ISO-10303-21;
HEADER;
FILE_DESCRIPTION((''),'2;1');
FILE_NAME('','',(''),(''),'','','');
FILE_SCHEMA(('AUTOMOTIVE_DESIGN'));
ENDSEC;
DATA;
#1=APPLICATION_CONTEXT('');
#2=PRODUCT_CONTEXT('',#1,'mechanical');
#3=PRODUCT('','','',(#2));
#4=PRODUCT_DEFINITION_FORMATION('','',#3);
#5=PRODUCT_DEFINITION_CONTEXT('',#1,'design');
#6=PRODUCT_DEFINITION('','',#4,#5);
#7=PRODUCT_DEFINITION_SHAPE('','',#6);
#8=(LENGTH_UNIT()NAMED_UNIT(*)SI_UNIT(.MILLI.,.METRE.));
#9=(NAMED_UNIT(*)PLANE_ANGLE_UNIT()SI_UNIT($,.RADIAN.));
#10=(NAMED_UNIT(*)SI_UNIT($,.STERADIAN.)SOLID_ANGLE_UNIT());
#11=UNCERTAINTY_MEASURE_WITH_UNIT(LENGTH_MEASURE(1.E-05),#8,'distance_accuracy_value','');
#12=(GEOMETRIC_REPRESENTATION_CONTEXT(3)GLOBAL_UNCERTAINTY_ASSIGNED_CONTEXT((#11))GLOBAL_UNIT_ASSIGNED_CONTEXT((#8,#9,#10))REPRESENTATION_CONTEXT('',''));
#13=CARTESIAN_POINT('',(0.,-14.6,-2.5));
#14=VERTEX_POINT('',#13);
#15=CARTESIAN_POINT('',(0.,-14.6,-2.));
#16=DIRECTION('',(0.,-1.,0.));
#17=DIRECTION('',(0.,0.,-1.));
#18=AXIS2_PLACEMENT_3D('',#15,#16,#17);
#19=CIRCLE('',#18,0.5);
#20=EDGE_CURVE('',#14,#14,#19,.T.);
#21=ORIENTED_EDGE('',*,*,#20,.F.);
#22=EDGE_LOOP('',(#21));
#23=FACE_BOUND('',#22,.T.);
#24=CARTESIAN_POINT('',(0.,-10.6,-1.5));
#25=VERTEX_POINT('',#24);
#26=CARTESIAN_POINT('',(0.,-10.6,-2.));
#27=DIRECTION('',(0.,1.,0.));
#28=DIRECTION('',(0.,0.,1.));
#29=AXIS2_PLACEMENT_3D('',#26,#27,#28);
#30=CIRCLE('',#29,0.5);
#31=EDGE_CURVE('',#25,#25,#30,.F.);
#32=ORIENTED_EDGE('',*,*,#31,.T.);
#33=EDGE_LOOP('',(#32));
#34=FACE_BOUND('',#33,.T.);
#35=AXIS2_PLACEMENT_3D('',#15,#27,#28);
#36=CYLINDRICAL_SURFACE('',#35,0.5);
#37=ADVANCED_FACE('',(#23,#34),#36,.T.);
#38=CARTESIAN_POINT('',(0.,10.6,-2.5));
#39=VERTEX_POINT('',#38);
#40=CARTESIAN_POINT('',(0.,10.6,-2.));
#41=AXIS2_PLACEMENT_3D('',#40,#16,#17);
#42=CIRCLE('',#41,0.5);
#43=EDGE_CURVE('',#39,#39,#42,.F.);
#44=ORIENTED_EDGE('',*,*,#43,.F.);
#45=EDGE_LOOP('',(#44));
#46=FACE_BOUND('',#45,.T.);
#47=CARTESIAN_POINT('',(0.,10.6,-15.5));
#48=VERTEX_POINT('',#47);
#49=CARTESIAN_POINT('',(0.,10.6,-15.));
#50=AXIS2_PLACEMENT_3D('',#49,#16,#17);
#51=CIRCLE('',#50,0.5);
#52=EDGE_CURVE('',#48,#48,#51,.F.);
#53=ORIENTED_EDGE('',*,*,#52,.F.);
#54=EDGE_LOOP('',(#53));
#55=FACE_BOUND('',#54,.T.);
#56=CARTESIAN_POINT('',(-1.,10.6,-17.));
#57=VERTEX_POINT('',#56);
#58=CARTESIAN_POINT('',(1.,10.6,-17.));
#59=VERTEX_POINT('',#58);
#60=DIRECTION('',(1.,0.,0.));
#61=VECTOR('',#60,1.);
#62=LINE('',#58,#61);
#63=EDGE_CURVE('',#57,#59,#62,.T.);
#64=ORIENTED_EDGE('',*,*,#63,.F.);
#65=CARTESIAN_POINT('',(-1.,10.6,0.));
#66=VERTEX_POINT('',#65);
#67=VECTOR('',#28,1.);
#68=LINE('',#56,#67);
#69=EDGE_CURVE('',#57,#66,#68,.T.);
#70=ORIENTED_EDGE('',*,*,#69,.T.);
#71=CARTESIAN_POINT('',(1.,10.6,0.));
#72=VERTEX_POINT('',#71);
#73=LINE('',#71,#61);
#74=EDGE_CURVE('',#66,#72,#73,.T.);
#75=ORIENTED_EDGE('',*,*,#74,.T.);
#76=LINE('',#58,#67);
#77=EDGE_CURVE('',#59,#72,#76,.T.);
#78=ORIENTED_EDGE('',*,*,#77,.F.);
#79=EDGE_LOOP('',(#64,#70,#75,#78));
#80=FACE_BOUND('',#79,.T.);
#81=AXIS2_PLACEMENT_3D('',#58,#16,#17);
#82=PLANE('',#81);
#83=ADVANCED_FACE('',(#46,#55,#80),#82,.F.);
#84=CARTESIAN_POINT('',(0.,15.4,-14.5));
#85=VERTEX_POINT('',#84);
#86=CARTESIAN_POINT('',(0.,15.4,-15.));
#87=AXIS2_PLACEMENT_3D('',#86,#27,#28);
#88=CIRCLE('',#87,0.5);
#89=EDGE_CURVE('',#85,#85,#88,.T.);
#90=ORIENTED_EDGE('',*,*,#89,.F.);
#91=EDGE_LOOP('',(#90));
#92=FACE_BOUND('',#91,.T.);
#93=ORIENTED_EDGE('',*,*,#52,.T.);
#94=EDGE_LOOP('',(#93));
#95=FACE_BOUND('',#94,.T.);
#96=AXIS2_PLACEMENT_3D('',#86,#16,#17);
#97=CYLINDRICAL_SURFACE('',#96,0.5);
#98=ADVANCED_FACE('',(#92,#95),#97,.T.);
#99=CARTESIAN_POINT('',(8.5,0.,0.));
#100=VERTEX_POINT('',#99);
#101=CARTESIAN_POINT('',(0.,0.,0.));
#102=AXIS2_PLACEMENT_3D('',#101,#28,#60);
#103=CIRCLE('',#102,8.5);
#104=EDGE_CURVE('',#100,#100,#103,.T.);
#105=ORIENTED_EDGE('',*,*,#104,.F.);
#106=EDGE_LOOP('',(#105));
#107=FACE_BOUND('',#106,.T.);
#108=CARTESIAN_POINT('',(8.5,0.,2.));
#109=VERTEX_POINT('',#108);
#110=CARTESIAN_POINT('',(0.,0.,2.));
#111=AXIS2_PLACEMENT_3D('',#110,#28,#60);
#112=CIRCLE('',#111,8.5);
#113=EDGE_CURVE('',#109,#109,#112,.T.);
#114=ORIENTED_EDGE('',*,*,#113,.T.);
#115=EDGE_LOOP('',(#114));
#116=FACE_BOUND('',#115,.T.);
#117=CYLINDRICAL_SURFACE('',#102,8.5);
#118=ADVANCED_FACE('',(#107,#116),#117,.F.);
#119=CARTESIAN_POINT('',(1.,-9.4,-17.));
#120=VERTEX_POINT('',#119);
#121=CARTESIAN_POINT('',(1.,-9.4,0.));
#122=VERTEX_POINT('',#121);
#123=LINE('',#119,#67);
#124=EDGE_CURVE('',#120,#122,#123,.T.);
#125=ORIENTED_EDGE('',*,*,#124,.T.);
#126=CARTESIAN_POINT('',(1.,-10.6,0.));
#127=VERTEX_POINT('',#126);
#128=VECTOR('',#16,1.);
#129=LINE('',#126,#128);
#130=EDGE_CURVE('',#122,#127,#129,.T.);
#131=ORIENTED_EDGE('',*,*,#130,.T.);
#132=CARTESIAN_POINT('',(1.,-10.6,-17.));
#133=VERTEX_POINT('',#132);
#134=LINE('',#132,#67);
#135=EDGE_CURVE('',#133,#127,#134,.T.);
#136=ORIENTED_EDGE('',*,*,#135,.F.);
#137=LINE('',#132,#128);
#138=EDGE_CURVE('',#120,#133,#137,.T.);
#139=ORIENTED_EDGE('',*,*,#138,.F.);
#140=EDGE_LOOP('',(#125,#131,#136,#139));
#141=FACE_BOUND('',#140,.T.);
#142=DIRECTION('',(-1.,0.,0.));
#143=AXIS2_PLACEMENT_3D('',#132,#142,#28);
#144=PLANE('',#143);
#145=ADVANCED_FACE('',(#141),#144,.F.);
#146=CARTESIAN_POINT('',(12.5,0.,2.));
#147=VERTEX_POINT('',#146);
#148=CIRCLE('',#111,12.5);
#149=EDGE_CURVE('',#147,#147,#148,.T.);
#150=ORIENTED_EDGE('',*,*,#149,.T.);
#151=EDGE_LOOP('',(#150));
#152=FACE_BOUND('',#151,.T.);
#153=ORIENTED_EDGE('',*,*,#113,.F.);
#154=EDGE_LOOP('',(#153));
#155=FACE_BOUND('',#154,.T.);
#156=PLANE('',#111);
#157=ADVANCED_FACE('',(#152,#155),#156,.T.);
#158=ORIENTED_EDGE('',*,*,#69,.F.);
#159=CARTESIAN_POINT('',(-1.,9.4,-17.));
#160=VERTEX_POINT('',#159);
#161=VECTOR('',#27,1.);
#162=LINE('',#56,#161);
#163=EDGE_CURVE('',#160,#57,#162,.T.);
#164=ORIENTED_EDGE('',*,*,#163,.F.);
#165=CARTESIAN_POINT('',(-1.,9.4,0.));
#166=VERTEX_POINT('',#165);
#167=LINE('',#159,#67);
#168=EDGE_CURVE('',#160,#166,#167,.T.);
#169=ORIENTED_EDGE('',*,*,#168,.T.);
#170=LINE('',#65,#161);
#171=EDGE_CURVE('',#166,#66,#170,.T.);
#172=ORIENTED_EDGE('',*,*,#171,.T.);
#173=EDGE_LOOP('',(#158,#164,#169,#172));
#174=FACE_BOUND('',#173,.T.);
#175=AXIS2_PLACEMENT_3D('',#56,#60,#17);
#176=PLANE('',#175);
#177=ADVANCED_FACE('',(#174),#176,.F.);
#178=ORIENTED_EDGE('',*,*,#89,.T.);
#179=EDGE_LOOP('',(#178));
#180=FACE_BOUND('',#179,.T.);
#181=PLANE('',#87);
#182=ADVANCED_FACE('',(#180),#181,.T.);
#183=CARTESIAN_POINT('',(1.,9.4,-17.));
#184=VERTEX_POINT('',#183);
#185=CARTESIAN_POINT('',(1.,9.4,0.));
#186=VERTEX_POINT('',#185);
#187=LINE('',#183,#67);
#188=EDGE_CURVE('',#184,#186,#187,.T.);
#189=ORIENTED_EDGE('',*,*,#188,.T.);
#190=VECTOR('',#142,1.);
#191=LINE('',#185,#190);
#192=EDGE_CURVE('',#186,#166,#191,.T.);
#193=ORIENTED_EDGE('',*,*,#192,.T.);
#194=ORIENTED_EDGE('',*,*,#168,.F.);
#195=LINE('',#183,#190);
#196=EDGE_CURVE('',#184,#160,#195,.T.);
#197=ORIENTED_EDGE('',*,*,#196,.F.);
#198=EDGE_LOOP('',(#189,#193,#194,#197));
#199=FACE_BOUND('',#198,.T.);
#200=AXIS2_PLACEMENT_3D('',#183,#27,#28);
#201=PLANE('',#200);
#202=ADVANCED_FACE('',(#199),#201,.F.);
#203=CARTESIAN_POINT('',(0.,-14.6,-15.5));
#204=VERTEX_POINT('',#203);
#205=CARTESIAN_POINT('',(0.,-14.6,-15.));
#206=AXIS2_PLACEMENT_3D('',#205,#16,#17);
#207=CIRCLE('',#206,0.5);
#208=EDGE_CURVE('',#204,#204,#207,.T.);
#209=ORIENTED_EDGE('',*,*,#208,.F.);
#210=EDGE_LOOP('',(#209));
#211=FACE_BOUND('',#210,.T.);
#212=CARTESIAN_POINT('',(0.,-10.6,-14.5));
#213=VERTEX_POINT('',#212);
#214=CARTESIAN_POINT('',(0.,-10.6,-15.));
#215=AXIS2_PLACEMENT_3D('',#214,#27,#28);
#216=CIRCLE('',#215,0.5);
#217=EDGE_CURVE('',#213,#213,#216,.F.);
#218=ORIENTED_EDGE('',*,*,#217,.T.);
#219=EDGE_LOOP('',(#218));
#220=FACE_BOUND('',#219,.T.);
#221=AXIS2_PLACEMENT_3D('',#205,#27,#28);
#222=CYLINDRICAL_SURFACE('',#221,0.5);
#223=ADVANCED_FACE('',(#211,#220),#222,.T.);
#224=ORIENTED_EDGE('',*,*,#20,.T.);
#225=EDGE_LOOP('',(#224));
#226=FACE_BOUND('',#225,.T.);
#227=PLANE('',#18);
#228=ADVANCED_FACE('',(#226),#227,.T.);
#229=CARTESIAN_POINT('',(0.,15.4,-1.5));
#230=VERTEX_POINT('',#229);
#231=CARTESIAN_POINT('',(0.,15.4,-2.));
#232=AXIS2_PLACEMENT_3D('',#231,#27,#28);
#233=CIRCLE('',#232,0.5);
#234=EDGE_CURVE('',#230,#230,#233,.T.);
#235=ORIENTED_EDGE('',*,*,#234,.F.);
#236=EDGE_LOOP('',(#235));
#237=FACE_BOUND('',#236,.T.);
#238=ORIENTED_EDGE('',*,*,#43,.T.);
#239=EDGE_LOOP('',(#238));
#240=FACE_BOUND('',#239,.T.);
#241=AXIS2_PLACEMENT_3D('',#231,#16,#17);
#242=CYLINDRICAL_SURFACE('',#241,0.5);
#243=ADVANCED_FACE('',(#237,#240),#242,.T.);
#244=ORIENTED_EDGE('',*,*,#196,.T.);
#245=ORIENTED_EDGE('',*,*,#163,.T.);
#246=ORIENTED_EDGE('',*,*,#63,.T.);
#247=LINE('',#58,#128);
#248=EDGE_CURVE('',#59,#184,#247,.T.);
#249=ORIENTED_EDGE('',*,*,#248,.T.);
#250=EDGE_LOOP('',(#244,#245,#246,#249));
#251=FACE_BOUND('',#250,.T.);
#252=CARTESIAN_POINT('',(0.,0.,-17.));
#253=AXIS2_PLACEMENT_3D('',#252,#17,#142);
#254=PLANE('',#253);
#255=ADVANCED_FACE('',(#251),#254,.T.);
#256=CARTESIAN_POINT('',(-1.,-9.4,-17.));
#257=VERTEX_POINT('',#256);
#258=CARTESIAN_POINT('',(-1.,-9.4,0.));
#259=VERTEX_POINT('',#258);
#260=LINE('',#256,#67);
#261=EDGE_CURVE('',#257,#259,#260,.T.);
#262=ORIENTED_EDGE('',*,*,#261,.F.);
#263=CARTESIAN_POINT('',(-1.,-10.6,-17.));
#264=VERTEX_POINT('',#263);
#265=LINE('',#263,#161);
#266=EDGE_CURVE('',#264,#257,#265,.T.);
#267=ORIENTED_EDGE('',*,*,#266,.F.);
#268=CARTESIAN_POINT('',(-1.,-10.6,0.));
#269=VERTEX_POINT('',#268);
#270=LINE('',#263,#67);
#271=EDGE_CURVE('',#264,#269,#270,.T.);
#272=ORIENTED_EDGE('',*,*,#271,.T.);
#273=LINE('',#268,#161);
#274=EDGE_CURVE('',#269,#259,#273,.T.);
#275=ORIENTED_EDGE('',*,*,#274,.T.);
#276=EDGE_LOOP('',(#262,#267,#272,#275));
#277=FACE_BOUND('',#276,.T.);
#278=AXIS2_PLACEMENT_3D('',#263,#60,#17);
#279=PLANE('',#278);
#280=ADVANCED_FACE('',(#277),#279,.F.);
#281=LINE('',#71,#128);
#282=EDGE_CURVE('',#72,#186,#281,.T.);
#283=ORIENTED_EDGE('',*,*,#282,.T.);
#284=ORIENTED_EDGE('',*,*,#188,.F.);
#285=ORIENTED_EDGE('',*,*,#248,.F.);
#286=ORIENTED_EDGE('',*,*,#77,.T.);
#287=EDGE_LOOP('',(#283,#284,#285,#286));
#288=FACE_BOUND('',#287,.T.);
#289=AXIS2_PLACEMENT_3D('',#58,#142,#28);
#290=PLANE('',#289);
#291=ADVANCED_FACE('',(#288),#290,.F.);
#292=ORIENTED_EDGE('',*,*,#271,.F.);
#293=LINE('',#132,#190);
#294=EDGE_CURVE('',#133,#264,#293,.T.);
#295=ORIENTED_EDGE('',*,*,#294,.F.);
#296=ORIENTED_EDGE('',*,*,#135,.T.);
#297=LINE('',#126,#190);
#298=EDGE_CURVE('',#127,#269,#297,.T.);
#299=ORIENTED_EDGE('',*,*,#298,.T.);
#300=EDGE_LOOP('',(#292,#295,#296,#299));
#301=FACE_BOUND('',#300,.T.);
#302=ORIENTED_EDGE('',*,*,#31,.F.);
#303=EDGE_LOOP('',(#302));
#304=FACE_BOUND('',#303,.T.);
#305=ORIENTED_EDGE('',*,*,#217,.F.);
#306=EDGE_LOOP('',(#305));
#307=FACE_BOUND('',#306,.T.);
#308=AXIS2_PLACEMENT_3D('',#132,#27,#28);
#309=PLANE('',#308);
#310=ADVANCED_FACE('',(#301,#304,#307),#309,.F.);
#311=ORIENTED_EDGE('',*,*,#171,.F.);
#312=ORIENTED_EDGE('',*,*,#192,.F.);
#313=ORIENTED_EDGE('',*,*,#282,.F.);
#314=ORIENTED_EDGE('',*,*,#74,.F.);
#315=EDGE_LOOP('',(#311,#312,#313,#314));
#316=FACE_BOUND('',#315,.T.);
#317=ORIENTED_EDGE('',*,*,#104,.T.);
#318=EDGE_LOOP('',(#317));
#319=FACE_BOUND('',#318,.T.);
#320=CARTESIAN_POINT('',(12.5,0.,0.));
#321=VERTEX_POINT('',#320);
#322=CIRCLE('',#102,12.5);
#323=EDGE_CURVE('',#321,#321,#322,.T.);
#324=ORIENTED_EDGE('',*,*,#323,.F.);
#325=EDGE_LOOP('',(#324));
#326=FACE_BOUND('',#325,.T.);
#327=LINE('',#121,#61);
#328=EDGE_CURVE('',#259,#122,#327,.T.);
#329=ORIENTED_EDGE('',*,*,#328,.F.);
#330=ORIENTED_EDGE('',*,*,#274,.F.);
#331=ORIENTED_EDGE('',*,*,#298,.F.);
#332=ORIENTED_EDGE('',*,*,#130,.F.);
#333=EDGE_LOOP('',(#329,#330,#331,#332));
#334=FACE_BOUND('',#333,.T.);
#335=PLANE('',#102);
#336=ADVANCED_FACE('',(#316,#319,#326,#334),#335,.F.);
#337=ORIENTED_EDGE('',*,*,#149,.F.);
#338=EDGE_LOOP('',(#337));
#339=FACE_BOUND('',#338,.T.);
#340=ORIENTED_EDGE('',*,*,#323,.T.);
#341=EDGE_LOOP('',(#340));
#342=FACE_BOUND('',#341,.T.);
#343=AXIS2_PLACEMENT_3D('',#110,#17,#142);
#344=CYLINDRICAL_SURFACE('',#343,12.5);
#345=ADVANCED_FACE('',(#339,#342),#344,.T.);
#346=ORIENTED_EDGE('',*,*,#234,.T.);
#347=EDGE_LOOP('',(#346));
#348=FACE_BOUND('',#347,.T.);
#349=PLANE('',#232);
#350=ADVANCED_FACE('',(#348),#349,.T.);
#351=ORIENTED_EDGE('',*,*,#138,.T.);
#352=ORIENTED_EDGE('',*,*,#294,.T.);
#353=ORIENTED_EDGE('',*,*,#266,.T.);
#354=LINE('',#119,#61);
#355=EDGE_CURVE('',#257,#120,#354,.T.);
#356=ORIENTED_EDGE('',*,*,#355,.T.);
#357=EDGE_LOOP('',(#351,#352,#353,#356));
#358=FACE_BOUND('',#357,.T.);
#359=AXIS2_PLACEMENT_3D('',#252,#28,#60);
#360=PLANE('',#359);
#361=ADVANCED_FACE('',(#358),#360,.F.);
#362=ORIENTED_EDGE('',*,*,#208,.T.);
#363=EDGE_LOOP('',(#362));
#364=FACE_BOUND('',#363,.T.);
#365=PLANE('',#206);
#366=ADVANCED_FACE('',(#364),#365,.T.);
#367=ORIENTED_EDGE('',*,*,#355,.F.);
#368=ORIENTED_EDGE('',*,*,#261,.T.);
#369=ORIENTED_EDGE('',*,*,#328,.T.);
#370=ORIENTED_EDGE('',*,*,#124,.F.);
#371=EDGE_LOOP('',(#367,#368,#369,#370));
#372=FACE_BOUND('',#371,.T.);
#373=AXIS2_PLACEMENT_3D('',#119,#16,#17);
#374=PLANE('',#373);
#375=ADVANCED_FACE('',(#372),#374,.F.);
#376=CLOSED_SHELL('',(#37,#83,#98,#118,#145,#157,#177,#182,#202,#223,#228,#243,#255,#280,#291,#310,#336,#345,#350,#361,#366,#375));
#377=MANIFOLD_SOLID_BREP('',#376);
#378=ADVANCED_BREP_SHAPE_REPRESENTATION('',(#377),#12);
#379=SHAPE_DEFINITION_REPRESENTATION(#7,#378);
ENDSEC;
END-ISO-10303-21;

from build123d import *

# Parameters (mm, degrees)
SKETCH1_R           = 12.5
BOSS_EXTRUDE1_DEPTH = 2
SKETCH2_R           = 8.5
CUT_EXTRUDE1_DEPTH  = 2
SKETCH5_W           = 2
SKETCH5_H           = 1.2
BOSS_EXTRUDE3_DEPTH = 17
SKETCH8_R           = 0.5
BOSS_EXTRUDE4_DEPTH = 4.8
BOSS_EXTRUDE5_START = 4
SKETCH9_R           = 0.5
BOSS_EXTRUDE5_DEPTH = 4


with BuildPart() as part:
    # Sketch1 → Boss-Extrude1 (new body)
    with BuildSketch(Plane.XY):
        Circle(SKETCH1_R)
    extrude(amount=BOSS_EXTRUDE1_DEPTH)

    # Sketch2 → Cut-Extrude1 (cut)
    with BuildSketch(Plane.XY.offset(2)):
        Circle(SKETCH2_R)
    extrude(amount=-CUT_EXTRUDE1_DEPTH, mode=Mode.SUBTRACT)

    # Sketch5 → Boss-Extrude3 (add)
    with BuildSketch(Plane(origin=(0, 0, 0), x_dir=(-1, 0, 0), z_dir=(0, 0, -1))):
        with Locations((0, -10)):
            Rectangle(SKETCH5_W, SKETCH5_H)
        with Locations((0, 10)):
            Rectangle(SKETCH5_W, SKETCH5_H)
    extrude(amount=BOSS_EXTRUDE3_DEPTH)

    # Sketch8 → Boss-Extrude4 (add)
    with BuildSketch(Plane(origin=(0, 10.6, 0), x_dir=(1, 0, 0), z_dir=(0, 1, 0))):
        with Locations(Location((0, 2, 0), (0, 0, 90))):
            Circle(SKETCH8_R)
        with Locations(Location((0, 15, 0), (0, 0, 90))):
            Circle(SKETCH8_R)
    extrude(amount=BOSS_EXTRUDE4_DEPTH)

    # Sketch9 → Boss-Extrude5 (add)
    with BuildSketch(Plane.XZ.offset(10.6).offset(BOSS_EXTRUDE5_START)):
        with Locations(Location((0, -2, 0), (0, 0, 270))):
            Circle(SKETCH9_R)
        with Locations(Location((0, -15, 0), (0, 0, 270))):
            Circle(SKETCH9_R)
    extrude(amount=-BOSS_EXTRUDE5_DEPTH)


solid = part.part
